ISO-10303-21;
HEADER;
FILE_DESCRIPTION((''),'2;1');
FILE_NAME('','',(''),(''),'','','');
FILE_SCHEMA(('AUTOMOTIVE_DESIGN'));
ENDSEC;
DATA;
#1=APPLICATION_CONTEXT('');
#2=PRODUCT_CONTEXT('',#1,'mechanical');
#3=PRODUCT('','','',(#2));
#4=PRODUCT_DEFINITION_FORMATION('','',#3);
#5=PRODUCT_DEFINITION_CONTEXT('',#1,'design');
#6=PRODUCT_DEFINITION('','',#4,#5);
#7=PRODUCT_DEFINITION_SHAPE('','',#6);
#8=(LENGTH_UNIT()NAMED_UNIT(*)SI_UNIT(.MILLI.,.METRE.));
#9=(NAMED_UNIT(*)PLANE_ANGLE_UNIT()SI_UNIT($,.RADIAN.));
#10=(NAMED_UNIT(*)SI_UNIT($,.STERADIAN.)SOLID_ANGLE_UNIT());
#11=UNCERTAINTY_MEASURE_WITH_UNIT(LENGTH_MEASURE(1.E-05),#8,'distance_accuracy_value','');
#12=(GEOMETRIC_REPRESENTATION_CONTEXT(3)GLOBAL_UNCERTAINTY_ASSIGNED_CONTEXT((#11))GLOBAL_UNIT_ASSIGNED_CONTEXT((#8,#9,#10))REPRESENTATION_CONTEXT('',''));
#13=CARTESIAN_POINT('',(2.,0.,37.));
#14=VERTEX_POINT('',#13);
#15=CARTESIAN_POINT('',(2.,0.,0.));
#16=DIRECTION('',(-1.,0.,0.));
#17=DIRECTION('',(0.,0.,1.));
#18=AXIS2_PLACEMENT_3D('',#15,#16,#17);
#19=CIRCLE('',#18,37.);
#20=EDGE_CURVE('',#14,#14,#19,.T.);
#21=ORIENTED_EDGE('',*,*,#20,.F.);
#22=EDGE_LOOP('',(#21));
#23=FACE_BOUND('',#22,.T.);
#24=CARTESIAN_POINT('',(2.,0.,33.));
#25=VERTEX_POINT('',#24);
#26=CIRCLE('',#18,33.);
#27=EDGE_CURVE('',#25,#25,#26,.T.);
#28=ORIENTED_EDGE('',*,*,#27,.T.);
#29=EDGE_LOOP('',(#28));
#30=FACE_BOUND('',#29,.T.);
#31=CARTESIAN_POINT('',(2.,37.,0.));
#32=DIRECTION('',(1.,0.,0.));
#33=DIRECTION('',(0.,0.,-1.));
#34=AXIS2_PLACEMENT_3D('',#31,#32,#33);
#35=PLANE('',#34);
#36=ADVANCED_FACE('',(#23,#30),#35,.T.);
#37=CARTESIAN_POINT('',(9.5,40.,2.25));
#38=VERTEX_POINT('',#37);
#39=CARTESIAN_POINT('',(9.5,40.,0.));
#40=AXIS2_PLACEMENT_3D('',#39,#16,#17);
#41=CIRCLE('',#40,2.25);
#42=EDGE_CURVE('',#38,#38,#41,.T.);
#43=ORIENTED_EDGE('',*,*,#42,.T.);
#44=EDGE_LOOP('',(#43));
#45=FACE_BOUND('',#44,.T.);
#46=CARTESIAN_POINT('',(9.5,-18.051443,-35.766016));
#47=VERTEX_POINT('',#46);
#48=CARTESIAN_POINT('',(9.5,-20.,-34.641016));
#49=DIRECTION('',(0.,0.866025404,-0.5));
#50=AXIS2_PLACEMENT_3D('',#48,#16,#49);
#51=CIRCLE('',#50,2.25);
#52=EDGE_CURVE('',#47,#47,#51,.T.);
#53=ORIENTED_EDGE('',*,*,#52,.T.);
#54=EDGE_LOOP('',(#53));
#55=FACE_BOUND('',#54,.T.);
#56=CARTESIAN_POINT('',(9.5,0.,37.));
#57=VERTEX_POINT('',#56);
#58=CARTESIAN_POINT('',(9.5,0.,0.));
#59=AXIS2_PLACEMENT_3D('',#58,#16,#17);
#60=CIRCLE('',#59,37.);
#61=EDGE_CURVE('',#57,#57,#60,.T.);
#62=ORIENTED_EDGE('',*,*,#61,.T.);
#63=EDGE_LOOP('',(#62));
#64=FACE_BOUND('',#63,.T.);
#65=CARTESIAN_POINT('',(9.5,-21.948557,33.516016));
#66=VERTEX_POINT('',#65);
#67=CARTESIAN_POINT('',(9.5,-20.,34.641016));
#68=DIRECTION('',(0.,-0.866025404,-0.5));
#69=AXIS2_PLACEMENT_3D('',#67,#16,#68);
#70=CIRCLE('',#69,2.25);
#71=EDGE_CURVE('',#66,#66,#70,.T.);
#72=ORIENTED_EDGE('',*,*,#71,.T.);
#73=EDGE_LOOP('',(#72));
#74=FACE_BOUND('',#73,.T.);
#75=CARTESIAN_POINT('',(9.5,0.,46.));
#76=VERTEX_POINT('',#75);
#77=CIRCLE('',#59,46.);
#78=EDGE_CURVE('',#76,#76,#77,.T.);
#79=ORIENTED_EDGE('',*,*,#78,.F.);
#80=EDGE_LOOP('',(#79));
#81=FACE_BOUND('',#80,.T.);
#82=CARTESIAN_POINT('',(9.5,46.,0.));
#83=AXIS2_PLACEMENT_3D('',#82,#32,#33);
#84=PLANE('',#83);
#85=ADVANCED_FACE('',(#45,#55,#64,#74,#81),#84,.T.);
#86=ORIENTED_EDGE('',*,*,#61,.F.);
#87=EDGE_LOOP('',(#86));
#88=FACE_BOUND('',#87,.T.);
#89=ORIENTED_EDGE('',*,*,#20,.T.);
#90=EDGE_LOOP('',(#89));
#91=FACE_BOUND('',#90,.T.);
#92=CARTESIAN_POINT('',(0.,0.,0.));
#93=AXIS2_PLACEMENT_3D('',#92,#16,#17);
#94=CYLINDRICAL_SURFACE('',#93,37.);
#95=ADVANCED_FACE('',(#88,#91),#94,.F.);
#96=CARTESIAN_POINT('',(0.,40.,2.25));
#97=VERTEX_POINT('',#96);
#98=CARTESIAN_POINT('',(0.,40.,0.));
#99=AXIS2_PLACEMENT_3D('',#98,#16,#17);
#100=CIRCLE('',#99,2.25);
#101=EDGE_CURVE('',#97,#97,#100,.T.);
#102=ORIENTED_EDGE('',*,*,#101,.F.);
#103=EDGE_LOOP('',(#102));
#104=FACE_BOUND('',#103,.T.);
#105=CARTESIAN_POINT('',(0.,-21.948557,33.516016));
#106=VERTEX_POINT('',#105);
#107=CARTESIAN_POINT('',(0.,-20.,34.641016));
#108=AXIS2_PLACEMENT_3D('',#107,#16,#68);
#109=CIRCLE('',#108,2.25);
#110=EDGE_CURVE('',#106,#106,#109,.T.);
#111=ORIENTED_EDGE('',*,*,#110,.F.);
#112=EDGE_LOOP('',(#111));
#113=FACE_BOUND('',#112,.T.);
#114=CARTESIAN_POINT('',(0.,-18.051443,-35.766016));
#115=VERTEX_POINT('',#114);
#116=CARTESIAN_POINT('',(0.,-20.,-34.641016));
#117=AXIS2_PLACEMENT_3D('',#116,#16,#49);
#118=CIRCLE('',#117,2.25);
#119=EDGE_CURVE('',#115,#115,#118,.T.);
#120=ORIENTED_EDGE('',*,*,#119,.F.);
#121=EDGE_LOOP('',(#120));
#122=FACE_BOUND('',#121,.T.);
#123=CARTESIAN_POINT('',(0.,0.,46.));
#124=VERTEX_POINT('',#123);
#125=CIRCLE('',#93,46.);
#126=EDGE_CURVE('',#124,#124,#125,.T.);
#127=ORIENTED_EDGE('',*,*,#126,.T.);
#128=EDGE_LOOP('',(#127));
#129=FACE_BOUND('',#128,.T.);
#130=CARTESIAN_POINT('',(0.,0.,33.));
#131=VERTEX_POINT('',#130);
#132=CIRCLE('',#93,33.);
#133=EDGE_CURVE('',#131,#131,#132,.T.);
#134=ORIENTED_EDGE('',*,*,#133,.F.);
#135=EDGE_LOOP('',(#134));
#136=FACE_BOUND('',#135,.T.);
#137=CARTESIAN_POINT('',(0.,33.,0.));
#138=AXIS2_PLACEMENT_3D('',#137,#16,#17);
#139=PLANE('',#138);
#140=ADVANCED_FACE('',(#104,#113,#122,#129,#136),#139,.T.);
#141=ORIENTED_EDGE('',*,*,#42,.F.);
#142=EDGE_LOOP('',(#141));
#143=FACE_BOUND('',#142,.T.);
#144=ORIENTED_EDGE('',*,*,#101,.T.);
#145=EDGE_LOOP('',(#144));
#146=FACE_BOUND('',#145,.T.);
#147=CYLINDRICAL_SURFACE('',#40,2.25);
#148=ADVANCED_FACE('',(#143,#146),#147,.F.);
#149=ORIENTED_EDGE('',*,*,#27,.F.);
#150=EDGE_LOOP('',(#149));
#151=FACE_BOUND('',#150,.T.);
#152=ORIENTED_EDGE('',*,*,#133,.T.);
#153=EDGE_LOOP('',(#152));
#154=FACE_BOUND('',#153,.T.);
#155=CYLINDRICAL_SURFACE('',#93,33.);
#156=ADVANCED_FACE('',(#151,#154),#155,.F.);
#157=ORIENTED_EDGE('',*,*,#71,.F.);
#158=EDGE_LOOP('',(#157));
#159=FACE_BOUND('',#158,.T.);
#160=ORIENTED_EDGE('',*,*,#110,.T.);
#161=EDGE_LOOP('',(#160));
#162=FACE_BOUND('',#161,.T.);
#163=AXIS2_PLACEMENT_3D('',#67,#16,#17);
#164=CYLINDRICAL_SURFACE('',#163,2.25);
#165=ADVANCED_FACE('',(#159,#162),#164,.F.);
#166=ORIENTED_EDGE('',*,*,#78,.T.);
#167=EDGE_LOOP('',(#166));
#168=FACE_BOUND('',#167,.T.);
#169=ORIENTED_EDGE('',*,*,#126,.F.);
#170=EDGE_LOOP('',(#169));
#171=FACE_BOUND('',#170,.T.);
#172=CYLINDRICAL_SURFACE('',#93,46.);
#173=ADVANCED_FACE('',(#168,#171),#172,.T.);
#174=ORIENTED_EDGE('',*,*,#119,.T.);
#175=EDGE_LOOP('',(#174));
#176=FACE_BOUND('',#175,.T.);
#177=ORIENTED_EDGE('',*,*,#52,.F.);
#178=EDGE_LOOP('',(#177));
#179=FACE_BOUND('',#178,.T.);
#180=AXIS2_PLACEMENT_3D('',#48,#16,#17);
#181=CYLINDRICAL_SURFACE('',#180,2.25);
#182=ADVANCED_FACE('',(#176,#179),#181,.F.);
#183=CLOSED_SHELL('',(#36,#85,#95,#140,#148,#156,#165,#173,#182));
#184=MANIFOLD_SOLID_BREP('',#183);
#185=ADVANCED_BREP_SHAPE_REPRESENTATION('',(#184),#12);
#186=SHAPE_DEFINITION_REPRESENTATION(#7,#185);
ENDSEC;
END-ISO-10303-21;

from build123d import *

# Parameters (mm, degrees)
ESQUISSE2_R                  = 2.25
ENL_V_MAT_EXTRU_1_DEPTH      = 10.5
R_P_TITION_CIRCULAIRE1_COUNT = 3


with BuildPart() as part:
    # Esquisse1 → Base-Révolution (revolve)
    with BuildSketch(Plane.XY):
        Polygon((0, 33), (0, 46), (9.5, 46), (9.5, 37), (2, 37), (2, 33), align=None)
    revolve(axis=Axis((0, 0, 0), (1, 0, 0)))

    # Esquisse2 → Enlèv. mat.-Extru.1 (cut, through all)
    with BuildSketch(Plane.ZY):
        with Locations((0, 40)):
            Circle(ESQUISSE2_R)
    enl_v_mat_extru_1 = extrude(amount=-ENL_V_MAT_EXTRU_1_DEPTH, mode=Mode.SUBTRACT)

    # Répétition circulaire1: Enlèv. mat.-Extru.1 ×3 about axis
    r_p_tition_circulaire1_axis = Axis((0, 0, 0), (1, 0, 0))
    for i in range(1, R_P_TITION_CIRCULAIRE1_COUNT):
        add(enl_v_mat_extru_1.rotate(r_p_tition_circulaire1_axis, i * 360 / R_P_TITION_CIRCULAIRE1_COUNT), mode=Mode.SUBTRACT)


solid = part.part
